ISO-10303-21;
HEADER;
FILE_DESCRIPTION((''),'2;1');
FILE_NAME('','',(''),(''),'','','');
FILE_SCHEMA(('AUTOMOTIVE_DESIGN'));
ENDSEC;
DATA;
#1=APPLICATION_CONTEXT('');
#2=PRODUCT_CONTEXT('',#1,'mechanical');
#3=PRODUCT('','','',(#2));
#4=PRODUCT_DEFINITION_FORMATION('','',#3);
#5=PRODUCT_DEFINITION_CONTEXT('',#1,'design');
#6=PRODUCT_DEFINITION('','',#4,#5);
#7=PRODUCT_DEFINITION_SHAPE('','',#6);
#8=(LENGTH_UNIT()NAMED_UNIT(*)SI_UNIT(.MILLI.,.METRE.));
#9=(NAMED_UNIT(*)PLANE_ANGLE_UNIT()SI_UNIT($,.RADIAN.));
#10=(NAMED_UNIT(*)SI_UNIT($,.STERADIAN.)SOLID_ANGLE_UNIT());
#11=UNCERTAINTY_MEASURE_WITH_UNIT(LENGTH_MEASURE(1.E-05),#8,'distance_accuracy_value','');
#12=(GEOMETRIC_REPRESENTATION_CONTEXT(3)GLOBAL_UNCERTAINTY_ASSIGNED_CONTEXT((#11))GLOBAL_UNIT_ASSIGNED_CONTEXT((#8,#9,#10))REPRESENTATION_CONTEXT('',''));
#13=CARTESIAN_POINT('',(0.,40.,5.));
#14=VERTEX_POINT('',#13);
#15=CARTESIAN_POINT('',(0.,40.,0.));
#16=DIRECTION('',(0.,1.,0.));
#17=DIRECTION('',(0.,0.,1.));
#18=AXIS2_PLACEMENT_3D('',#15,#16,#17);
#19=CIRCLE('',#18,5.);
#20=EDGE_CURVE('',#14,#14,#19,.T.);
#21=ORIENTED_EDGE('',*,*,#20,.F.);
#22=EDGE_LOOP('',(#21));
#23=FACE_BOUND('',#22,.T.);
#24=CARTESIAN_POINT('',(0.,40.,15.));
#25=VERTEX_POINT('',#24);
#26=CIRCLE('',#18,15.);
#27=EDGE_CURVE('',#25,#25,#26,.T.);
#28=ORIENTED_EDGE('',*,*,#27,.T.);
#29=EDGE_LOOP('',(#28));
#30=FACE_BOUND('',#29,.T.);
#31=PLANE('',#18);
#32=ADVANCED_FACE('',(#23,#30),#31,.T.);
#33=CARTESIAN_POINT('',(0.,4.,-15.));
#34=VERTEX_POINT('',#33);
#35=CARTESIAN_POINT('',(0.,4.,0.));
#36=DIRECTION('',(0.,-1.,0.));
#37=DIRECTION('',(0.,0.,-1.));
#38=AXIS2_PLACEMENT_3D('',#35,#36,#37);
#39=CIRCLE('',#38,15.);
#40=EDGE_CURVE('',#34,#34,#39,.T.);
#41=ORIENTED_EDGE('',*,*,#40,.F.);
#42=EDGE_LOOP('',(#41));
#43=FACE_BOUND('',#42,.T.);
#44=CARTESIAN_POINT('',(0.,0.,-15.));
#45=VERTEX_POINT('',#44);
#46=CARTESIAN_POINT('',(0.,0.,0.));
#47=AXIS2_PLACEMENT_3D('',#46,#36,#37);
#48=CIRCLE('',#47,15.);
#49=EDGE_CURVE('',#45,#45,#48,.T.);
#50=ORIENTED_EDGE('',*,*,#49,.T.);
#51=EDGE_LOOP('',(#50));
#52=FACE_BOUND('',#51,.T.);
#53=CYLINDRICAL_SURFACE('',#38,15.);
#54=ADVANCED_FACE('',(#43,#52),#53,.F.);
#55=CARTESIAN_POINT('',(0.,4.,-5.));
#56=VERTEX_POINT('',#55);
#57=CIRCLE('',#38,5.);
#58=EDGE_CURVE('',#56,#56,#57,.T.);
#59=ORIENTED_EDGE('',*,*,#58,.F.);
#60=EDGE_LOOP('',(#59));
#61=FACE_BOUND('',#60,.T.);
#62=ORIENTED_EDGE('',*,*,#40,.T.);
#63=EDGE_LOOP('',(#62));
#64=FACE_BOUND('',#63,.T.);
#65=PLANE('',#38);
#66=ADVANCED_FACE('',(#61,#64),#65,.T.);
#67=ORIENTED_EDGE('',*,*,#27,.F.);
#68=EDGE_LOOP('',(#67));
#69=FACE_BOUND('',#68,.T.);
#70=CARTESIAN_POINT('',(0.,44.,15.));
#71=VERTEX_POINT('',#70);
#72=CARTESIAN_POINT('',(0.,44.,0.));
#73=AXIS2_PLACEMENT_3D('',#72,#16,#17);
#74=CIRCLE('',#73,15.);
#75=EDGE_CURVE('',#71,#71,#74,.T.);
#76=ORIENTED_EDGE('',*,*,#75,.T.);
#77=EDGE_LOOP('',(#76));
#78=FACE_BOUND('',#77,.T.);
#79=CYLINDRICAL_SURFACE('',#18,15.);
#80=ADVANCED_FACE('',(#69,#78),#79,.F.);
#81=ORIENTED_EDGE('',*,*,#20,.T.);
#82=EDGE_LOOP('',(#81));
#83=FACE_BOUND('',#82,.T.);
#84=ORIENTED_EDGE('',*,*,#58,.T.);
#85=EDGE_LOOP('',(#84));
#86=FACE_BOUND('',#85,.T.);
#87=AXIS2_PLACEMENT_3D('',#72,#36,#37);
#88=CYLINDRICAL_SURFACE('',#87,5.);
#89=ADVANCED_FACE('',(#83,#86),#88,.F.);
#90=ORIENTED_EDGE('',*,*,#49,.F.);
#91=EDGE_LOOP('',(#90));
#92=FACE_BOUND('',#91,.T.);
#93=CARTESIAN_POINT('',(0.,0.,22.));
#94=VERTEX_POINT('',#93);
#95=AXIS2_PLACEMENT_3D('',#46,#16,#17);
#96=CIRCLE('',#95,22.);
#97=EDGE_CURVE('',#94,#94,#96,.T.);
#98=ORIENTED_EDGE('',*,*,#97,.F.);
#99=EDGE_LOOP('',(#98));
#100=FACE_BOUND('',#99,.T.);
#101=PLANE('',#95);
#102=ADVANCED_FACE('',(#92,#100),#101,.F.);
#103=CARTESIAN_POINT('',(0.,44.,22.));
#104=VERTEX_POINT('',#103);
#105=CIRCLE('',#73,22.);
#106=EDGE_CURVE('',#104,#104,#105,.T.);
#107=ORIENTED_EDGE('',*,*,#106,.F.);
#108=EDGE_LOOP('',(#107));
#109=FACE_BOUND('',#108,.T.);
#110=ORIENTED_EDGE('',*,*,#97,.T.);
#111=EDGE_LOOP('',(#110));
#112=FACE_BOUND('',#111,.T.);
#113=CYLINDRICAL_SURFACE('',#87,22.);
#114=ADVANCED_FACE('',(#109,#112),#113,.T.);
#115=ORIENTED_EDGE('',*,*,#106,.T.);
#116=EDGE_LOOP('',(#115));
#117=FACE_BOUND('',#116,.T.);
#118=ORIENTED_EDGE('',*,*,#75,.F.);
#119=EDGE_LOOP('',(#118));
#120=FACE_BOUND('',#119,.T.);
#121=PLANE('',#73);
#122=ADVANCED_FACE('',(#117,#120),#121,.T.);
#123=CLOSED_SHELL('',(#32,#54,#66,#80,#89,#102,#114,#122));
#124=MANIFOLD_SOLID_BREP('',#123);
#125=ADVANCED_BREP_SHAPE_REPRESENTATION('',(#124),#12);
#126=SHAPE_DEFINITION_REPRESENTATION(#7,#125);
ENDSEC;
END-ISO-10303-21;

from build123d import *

# Parameters (mm, degrees)
SKETCH1_R           = 22
SKETCH1_R_2         = 5
BOSS_EXTRUDE1_DEPTH = 44
SKETCH2_R           = 15
CUT_EXTRUDE1_DEPTH  = 4
CUT_EXTRUDE2_START  = -4
SKETCH3_R           = 15
CUT_EXTRUDE2_DEPTH  = 4


with BuildPart() as part:
    # Sketch1 → Boss-Extrude1 (new body)
    with BuildSketch(Plane(origin=(0, 0, 0), x_dir=(1, 0, 0), z_dir=(0, 1, 0))):
        with Locations(Location((0, 0, 0), (0, 0, 270))):
            Circle(SKETCH1_R)
        with Locations(Location((0, 0, 0), (0, 0, 270))):
            Circle(SKETCH1_R_2, mode=Mode.SUBTRACT)
    extrude(amount=BOSS_EXTRUDE1_DEPTH)

    # Sketch2 → Cut-Extrude1 (cut)
    with BuildSketch(Plane(origin=(0, 44, 0), x_dir=(1, 0, 0), z_dir=(0, 1, 0))):
        with Locations(Location((0, 0, 0), (0, 0, 270))):
            Circle(SKETCH2_R)
    extrude(amount=-CUT_EXTRUDE1_DEPTH, mode=Mode.SUBTRACT)

    # Sketch3 → Cut-Extrude2 (cut)
    with BuildSketch(Plane.XZ.offset(CUT_EXTRUDE2_START)):
        with Locations(Location((0, 0, 0), (0, 0, 90))):
            Circle(SKETCH3_R)
    extrude(amount=CUT_EXTRUDE2_DEPTH, mode=Mode.SUBTRACT)


solid = part.part
